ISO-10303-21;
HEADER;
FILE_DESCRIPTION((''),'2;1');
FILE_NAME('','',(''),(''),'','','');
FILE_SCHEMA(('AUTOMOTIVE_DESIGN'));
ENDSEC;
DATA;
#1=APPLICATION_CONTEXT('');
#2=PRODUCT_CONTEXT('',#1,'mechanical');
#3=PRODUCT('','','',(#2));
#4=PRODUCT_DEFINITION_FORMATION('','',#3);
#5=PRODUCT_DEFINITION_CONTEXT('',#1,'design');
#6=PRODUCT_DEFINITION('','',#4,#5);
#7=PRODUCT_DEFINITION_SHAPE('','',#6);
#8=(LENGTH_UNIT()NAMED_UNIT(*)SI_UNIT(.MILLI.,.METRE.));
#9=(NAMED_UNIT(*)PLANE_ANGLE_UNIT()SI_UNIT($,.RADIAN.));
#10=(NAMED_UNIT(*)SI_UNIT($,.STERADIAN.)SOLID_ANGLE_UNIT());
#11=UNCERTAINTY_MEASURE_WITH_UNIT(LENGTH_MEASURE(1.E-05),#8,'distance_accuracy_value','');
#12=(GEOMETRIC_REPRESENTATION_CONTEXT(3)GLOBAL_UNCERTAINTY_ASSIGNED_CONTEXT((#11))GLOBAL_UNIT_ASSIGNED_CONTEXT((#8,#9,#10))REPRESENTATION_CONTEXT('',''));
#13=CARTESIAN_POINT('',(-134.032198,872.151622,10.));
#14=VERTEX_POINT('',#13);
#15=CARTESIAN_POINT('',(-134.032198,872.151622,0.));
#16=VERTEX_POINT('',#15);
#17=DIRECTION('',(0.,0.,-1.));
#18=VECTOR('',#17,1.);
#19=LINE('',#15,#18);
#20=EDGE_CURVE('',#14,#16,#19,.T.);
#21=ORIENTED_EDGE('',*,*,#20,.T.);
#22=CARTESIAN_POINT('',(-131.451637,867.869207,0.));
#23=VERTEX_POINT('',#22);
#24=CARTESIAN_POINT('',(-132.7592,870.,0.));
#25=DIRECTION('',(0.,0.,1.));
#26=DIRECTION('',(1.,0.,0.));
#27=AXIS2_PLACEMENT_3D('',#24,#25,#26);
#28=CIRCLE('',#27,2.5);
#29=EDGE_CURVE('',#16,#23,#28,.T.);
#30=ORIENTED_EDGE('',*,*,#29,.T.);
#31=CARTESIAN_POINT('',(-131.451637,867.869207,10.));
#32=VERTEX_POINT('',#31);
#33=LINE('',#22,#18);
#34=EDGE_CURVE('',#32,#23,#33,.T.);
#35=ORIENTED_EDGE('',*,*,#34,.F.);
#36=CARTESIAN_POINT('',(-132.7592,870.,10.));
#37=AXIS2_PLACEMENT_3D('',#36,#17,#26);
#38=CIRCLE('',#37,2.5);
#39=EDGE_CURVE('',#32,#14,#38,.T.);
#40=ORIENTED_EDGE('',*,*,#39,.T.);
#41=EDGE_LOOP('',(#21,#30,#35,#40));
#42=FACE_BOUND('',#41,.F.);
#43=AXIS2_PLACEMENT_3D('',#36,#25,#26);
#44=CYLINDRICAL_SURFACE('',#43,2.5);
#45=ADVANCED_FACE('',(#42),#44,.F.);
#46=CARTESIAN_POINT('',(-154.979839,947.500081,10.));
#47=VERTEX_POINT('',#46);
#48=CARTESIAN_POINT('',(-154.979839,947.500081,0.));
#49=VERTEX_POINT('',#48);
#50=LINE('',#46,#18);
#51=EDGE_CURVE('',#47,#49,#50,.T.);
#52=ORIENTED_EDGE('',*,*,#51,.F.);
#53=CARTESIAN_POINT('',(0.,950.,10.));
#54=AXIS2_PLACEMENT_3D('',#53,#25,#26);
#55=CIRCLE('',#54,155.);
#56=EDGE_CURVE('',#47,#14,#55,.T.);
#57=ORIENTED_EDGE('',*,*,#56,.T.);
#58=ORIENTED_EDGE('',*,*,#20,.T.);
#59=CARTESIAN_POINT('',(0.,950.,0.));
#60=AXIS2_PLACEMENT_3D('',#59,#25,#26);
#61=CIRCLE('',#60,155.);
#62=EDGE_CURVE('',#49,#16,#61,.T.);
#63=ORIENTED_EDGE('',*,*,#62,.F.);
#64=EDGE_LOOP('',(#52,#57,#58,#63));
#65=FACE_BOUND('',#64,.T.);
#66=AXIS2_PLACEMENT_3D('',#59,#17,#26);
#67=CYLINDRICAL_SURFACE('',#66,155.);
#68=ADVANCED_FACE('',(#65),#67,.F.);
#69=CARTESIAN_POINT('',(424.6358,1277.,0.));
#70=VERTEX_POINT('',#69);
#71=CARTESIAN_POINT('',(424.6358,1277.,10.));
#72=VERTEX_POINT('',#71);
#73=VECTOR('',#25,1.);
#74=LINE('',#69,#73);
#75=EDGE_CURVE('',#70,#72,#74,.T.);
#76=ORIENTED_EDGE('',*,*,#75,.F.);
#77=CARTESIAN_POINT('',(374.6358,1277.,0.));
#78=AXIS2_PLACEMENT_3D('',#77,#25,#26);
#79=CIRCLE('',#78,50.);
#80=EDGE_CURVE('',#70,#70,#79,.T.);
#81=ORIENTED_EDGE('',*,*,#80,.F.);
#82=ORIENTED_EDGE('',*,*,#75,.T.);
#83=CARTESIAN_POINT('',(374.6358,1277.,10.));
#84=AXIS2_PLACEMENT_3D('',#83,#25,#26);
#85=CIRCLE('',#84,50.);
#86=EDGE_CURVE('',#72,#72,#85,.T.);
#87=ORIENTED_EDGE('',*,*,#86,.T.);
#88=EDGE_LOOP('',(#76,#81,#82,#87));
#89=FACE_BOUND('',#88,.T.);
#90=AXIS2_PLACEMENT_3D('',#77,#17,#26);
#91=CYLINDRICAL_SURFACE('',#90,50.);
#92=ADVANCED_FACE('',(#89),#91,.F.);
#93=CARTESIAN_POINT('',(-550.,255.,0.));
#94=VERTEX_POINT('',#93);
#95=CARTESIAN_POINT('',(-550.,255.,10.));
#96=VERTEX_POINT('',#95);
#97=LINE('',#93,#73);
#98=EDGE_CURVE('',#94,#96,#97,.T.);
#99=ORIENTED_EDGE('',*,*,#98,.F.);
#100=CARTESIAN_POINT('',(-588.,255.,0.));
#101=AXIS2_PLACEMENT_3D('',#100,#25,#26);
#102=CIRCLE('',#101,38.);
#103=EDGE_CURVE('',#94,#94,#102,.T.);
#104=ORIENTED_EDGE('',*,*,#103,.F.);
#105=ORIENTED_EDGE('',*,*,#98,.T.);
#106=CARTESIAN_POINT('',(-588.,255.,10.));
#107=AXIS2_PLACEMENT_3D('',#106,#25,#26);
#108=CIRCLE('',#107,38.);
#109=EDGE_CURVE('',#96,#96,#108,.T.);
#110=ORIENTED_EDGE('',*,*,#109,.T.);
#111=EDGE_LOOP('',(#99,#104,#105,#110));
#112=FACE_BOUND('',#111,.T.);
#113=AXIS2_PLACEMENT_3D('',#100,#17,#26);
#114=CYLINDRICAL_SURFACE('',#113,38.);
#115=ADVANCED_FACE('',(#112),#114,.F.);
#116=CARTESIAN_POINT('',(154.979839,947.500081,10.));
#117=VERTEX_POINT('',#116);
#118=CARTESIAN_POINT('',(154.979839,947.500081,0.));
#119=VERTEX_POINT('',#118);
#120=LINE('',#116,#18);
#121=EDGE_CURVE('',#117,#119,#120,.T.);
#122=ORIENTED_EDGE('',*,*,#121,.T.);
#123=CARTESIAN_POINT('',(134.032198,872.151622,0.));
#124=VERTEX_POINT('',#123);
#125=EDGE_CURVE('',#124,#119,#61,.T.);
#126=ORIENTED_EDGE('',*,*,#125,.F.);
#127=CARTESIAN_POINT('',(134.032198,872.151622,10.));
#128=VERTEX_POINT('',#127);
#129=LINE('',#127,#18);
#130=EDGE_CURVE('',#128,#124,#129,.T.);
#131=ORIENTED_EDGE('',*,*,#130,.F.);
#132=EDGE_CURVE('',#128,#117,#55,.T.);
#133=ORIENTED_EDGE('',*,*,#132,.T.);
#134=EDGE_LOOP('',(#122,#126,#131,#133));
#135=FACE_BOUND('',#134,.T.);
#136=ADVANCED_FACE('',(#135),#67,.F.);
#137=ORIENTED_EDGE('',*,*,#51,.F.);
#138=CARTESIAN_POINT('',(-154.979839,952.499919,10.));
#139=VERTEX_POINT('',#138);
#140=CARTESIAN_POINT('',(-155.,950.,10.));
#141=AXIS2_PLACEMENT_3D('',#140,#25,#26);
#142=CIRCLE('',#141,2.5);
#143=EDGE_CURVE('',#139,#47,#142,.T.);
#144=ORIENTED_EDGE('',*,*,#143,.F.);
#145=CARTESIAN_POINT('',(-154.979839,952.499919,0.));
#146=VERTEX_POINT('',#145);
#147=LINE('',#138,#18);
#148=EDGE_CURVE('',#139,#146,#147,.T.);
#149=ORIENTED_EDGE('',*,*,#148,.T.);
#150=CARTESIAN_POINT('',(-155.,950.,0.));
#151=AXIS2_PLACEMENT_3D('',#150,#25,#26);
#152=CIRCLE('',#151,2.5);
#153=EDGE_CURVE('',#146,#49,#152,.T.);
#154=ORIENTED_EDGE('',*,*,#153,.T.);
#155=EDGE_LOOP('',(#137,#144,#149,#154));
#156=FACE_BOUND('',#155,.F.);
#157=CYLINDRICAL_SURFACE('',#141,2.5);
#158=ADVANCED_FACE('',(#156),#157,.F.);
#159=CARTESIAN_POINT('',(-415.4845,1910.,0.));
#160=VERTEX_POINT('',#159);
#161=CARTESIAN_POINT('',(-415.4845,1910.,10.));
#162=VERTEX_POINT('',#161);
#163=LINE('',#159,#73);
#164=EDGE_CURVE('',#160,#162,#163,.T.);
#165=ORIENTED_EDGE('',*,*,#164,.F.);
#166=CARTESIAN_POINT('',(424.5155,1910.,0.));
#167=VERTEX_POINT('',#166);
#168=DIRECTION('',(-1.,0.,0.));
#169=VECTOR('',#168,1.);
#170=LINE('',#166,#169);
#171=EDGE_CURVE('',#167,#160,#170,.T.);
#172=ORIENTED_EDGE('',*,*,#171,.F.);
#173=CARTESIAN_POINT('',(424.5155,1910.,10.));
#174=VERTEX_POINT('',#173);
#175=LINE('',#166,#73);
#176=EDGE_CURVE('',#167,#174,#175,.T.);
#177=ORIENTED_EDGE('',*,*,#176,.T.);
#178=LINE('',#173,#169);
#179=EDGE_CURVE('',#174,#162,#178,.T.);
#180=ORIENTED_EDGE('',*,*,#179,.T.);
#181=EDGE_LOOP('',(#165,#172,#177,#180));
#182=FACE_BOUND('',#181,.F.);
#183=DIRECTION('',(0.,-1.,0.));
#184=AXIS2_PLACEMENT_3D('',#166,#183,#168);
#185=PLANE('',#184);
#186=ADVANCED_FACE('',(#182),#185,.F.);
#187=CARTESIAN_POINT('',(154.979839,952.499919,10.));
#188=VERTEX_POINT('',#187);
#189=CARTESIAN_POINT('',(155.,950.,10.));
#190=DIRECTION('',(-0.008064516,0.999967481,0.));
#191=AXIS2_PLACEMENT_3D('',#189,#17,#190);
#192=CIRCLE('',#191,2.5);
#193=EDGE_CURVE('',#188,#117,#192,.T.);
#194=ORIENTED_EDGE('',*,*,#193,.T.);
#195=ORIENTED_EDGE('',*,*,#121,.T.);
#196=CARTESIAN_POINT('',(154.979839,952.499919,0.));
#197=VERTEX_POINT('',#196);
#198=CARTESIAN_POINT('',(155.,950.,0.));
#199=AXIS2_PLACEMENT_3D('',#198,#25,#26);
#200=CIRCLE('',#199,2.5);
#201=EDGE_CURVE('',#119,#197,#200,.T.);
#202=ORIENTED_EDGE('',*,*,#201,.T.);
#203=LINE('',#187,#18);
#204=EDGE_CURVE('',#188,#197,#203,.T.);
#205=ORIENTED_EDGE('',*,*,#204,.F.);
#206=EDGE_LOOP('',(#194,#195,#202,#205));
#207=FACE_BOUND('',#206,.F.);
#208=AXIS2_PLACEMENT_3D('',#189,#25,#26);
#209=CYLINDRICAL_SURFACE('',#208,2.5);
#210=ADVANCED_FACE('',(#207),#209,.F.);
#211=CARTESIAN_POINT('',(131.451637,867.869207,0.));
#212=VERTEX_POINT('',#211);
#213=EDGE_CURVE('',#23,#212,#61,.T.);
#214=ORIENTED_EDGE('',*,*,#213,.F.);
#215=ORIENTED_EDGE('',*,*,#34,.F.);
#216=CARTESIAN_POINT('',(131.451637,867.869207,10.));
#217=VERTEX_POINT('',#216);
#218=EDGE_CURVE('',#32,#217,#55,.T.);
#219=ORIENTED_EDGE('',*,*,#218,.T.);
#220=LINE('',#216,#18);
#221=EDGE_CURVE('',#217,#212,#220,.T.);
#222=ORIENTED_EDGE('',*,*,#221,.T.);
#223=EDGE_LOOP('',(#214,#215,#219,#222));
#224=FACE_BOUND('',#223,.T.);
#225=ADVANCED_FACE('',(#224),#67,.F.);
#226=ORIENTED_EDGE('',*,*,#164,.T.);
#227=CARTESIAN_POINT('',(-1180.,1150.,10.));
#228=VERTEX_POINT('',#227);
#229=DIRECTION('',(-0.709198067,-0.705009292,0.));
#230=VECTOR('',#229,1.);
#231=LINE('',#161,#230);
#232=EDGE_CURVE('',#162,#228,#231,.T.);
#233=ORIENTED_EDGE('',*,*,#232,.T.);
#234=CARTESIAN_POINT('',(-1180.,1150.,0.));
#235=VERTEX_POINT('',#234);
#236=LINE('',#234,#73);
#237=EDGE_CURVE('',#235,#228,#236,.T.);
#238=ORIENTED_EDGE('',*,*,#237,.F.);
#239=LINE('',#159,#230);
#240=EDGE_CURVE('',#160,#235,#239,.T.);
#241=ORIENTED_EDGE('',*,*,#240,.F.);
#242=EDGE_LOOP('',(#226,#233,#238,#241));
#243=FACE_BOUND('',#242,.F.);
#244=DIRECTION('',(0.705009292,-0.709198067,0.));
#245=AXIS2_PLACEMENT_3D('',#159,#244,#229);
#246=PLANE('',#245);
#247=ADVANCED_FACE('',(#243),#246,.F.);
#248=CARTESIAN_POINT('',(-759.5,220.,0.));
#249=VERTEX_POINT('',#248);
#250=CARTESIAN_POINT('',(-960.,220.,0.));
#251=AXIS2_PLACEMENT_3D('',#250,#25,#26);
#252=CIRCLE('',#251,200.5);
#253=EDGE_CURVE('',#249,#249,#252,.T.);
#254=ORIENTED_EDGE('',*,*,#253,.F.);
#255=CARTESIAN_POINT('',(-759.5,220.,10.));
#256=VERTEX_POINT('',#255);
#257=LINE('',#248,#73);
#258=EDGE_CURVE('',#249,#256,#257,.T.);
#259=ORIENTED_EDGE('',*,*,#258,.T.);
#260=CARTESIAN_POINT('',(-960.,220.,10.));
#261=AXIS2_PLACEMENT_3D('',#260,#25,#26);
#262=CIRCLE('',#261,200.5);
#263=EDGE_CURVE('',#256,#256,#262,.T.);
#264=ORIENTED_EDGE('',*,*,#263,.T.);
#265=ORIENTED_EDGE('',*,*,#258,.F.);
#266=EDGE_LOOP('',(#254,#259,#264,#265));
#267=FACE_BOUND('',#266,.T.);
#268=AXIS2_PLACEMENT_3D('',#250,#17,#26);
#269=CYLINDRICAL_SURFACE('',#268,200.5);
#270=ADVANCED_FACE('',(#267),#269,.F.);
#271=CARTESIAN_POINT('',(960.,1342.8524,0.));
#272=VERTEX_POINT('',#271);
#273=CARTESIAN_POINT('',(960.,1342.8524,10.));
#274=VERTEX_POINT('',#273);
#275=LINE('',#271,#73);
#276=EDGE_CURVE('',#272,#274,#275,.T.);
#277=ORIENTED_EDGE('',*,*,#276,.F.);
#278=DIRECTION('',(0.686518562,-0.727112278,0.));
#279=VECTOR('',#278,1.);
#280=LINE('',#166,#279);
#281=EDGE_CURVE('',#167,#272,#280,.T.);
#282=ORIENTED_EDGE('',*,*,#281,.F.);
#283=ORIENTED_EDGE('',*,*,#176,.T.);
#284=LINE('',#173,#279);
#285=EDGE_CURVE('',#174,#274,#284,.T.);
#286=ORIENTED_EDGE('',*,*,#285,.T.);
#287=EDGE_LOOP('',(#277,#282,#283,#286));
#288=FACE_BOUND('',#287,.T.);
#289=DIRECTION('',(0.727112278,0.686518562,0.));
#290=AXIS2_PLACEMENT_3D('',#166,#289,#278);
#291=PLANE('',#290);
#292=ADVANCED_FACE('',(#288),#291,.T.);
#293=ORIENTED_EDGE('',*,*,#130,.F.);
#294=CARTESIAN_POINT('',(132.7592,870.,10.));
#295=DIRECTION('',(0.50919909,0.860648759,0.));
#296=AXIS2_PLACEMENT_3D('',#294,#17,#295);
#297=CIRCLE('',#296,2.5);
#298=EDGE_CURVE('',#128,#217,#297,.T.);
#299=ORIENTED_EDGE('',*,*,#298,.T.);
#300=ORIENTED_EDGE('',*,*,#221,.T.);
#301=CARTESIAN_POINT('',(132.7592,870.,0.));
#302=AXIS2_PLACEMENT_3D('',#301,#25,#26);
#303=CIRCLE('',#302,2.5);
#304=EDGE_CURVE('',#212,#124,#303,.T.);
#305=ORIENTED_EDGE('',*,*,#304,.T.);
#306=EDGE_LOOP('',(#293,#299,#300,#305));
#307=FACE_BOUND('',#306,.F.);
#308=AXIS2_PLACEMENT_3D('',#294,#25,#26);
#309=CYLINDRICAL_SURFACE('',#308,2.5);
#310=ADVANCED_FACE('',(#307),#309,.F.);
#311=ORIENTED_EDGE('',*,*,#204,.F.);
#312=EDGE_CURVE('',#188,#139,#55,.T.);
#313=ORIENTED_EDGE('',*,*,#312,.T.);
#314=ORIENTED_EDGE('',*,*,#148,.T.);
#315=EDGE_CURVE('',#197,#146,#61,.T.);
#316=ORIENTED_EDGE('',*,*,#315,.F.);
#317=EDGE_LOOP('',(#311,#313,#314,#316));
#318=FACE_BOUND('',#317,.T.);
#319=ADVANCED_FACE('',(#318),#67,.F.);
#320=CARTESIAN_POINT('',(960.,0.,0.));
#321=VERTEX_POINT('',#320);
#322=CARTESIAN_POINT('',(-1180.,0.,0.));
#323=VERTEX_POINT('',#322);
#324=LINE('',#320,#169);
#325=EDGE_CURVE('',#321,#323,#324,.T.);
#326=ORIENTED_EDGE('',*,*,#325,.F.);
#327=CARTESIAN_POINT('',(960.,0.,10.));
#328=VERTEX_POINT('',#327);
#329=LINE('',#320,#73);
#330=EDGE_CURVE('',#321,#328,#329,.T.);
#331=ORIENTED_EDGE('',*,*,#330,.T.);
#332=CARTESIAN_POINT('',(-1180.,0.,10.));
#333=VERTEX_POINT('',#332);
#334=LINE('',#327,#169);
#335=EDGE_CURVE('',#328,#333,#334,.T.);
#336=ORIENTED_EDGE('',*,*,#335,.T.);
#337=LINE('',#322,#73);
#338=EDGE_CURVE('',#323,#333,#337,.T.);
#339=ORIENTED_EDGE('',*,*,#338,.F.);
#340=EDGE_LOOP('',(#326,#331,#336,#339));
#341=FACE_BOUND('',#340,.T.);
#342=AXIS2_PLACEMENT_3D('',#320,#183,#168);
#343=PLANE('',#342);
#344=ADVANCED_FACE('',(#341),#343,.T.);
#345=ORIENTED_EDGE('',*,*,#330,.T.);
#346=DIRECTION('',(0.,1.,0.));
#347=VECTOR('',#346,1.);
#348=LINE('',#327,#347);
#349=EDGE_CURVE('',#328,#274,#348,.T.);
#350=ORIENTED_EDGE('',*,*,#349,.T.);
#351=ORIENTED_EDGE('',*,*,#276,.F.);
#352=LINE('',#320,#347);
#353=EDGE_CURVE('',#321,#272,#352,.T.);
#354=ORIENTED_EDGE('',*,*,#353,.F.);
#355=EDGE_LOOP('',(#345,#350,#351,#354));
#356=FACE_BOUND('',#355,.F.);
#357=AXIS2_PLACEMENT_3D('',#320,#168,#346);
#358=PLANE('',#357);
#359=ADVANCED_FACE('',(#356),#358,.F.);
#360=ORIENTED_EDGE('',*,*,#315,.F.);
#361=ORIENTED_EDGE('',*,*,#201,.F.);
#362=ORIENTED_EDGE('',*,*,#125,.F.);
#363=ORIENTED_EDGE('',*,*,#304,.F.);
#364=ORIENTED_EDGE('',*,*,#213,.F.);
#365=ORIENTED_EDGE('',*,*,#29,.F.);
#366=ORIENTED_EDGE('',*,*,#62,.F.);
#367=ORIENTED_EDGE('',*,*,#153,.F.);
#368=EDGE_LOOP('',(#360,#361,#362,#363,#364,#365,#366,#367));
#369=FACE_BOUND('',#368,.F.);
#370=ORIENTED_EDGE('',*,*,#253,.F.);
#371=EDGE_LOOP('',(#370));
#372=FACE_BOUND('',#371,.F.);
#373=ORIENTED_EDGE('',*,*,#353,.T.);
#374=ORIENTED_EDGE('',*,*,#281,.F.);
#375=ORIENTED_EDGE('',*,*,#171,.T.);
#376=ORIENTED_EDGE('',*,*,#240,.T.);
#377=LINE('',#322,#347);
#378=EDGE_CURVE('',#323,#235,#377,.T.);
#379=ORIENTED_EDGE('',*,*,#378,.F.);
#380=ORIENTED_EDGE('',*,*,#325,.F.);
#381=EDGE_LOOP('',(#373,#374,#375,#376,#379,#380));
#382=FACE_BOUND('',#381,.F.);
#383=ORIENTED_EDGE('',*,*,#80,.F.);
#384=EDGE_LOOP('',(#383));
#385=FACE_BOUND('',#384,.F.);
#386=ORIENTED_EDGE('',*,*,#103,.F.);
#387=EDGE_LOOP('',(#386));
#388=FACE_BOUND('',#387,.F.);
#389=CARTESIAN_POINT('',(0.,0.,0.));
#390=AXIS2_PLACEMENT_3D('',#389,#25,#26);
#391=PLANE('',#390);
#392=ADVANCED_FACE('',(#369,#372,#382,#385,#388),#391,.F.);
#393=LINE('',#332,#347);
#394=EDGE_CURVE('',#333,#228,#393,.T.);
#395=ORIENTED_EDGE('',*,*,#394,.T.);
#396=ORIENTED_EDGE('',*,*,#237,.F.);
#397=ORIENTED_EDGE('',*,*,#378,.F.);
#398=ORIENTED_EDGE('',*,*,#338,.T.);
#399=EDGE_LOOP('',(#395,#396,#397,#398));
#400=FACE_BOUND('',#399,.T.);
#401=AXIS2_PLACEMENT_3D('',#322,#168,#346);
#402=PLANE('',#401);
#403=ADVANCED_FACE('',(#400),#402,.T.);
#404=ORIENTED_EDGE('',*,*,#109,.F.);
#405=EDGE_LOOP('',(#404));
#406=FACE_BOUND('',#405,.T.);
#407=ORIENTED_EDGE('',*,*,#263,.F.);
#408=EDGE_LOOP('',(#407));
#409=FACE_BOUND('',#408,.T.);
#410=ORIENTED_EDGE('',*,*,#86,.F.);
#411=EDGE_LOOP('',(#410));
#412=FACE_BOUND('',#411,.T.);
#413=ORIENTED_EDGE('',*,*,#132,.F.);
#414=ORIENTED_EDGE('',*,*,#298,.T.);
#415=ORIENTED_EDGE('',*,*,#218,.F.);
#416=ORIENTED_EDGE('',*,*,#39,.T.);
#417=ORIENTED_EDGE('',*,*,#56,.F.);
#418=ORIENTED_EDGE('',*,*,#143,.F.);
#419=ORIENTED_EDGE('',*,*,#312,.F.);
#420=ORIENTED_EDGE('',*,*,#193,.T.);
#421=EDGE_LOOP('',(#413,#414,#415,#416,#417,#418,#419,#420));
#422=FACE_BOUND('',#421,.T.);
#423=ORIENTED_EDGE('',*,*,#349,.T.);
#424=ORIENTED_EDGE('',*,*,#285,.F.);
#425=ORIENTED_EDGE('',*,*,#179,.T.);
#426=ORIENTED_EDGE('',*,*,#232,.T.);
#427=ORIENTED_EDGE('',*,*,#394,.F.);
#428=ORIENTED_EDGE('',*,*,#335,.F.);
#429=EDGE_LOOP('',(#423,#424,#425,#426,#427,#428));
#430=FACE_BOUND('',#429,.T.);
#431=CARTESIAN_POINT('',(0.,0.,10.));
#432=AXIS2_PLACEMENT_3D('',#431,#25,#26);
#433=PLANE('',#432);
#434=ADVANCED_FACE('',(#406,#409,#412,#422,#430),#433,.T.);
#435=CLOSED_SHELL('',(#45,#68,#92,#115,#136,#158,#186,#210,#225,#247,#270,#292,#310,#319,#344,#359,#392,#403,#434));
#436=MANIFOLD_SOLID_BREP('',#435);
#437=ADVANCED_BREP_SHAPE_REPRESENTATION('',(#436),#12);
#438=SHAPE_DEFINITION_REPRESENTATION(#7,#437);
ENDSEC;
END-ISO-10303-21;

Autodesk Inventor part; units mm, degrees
ref_plane "YZ Plane" through (0, 0, 0) normal (1, 0, 0) x (0, 1, 0)
ref_plane "XZ Plane" through (0, 0, 0) normal (0, 1, 0) x (-1, 0, 0)
ref_plane "XY Plane" through (0, 0, 0) normal (0, 0, 1) x (1, 0, 0)
sketch "Sketch1" plane through (0, 0, 0) normal (0, 0, 1) x (1, 0, 0)
  line L0 (0, 0) -> (0, 1910) construction
  line L1 (424.5155, 1910) -> (-415.4845, 1910)
  line L2 (-415.4845, 1910) -> (-1180, 1150)
  line L3 (-1180, 0) -> (-1180, 1150)
  line L4 (960, 0) -> (960, 1342.8524)
  line L5 (424.5155, 1910) -> (960, 1342.8524)
  circle A0 centre (0, 950) radius 195 construction
  line L6 (960, 0) -> (-1180, 0)
  circle A1 centre (-960, 220) radius 200.5
  circle A2 centre (-588, 255) radius 38
  circle A3 centre (374.6358, 1277) radius 50
  circle A4 centre (0, 950) radius 155
  point P0 (0, 955)
  dimension "d1" = 840
  dimension "d3" = 1150
  dimension "d11" = 390
  dimension "d12" = 1180
  dimension "d13" = 950
  dimension "d14" = 76
  dimension "d15" = 1910
  dimension "d16" = 255
  dimension "d17" = 220
  dimension "d18" = 401
  dimension "d19" = 220
  dimension "d21" = 1277
  dimension "d22" = 1554.6358
  dimension "d23" = 100
  dimension "d33" = 2140
  dimension "d34" = 494
  dimension "d45" = 310
  dimension "d49" = 372
  dimension "d51" = 780
  dimension "d52" = 1078
extrude "Extrusion1" add sketch "Sketch1" along normal blind 10
sketch "Sketch3" plane through (0, 0, 10) normal (0, 0, 1) x (1, 0, 0)
  line L0 (-400, 950) -> (400, 950) construction
  circle A0 centre (0, 950) radius 155 projected
  circle A1 centre (155, 950) radius 2.5
  circle A2 centre (-155, 950) radius 2.5
  line L1 (132.7592, 870) -> (-132.7592, 870) construction
  circle A3 centre (132.7592, 870) radius 2.5
  circle A4 centre (-132.7592, 870) radius 2.5
  point P0 (0, 0)
  point P1 (-154.9798, 947.5001)
  point P2 (-154.9798, 952.4999)
  point P3 (154.9798, 947.5001)
  point P4 (154.9798, 952.4999)
  point P5 (134.0322, 872.1516)
  point P6 (131.4516, 867.8692)
  dimension "d47" = 5
  dimension "d48" = 80
extrude "Extrusion3" cut sketch "Sketch3" against normal through all contours A0 A1 | A0 A2 | A3 A0 | A4 A0 | A0 A4 picked at (155.7492, 949.3589) picked at (-155.8257, 950.101) picked at (133.5004, 869.6223)
equation "\"d17\" = d19"
properties part number "ДМФ 012 Стенка Нос"
